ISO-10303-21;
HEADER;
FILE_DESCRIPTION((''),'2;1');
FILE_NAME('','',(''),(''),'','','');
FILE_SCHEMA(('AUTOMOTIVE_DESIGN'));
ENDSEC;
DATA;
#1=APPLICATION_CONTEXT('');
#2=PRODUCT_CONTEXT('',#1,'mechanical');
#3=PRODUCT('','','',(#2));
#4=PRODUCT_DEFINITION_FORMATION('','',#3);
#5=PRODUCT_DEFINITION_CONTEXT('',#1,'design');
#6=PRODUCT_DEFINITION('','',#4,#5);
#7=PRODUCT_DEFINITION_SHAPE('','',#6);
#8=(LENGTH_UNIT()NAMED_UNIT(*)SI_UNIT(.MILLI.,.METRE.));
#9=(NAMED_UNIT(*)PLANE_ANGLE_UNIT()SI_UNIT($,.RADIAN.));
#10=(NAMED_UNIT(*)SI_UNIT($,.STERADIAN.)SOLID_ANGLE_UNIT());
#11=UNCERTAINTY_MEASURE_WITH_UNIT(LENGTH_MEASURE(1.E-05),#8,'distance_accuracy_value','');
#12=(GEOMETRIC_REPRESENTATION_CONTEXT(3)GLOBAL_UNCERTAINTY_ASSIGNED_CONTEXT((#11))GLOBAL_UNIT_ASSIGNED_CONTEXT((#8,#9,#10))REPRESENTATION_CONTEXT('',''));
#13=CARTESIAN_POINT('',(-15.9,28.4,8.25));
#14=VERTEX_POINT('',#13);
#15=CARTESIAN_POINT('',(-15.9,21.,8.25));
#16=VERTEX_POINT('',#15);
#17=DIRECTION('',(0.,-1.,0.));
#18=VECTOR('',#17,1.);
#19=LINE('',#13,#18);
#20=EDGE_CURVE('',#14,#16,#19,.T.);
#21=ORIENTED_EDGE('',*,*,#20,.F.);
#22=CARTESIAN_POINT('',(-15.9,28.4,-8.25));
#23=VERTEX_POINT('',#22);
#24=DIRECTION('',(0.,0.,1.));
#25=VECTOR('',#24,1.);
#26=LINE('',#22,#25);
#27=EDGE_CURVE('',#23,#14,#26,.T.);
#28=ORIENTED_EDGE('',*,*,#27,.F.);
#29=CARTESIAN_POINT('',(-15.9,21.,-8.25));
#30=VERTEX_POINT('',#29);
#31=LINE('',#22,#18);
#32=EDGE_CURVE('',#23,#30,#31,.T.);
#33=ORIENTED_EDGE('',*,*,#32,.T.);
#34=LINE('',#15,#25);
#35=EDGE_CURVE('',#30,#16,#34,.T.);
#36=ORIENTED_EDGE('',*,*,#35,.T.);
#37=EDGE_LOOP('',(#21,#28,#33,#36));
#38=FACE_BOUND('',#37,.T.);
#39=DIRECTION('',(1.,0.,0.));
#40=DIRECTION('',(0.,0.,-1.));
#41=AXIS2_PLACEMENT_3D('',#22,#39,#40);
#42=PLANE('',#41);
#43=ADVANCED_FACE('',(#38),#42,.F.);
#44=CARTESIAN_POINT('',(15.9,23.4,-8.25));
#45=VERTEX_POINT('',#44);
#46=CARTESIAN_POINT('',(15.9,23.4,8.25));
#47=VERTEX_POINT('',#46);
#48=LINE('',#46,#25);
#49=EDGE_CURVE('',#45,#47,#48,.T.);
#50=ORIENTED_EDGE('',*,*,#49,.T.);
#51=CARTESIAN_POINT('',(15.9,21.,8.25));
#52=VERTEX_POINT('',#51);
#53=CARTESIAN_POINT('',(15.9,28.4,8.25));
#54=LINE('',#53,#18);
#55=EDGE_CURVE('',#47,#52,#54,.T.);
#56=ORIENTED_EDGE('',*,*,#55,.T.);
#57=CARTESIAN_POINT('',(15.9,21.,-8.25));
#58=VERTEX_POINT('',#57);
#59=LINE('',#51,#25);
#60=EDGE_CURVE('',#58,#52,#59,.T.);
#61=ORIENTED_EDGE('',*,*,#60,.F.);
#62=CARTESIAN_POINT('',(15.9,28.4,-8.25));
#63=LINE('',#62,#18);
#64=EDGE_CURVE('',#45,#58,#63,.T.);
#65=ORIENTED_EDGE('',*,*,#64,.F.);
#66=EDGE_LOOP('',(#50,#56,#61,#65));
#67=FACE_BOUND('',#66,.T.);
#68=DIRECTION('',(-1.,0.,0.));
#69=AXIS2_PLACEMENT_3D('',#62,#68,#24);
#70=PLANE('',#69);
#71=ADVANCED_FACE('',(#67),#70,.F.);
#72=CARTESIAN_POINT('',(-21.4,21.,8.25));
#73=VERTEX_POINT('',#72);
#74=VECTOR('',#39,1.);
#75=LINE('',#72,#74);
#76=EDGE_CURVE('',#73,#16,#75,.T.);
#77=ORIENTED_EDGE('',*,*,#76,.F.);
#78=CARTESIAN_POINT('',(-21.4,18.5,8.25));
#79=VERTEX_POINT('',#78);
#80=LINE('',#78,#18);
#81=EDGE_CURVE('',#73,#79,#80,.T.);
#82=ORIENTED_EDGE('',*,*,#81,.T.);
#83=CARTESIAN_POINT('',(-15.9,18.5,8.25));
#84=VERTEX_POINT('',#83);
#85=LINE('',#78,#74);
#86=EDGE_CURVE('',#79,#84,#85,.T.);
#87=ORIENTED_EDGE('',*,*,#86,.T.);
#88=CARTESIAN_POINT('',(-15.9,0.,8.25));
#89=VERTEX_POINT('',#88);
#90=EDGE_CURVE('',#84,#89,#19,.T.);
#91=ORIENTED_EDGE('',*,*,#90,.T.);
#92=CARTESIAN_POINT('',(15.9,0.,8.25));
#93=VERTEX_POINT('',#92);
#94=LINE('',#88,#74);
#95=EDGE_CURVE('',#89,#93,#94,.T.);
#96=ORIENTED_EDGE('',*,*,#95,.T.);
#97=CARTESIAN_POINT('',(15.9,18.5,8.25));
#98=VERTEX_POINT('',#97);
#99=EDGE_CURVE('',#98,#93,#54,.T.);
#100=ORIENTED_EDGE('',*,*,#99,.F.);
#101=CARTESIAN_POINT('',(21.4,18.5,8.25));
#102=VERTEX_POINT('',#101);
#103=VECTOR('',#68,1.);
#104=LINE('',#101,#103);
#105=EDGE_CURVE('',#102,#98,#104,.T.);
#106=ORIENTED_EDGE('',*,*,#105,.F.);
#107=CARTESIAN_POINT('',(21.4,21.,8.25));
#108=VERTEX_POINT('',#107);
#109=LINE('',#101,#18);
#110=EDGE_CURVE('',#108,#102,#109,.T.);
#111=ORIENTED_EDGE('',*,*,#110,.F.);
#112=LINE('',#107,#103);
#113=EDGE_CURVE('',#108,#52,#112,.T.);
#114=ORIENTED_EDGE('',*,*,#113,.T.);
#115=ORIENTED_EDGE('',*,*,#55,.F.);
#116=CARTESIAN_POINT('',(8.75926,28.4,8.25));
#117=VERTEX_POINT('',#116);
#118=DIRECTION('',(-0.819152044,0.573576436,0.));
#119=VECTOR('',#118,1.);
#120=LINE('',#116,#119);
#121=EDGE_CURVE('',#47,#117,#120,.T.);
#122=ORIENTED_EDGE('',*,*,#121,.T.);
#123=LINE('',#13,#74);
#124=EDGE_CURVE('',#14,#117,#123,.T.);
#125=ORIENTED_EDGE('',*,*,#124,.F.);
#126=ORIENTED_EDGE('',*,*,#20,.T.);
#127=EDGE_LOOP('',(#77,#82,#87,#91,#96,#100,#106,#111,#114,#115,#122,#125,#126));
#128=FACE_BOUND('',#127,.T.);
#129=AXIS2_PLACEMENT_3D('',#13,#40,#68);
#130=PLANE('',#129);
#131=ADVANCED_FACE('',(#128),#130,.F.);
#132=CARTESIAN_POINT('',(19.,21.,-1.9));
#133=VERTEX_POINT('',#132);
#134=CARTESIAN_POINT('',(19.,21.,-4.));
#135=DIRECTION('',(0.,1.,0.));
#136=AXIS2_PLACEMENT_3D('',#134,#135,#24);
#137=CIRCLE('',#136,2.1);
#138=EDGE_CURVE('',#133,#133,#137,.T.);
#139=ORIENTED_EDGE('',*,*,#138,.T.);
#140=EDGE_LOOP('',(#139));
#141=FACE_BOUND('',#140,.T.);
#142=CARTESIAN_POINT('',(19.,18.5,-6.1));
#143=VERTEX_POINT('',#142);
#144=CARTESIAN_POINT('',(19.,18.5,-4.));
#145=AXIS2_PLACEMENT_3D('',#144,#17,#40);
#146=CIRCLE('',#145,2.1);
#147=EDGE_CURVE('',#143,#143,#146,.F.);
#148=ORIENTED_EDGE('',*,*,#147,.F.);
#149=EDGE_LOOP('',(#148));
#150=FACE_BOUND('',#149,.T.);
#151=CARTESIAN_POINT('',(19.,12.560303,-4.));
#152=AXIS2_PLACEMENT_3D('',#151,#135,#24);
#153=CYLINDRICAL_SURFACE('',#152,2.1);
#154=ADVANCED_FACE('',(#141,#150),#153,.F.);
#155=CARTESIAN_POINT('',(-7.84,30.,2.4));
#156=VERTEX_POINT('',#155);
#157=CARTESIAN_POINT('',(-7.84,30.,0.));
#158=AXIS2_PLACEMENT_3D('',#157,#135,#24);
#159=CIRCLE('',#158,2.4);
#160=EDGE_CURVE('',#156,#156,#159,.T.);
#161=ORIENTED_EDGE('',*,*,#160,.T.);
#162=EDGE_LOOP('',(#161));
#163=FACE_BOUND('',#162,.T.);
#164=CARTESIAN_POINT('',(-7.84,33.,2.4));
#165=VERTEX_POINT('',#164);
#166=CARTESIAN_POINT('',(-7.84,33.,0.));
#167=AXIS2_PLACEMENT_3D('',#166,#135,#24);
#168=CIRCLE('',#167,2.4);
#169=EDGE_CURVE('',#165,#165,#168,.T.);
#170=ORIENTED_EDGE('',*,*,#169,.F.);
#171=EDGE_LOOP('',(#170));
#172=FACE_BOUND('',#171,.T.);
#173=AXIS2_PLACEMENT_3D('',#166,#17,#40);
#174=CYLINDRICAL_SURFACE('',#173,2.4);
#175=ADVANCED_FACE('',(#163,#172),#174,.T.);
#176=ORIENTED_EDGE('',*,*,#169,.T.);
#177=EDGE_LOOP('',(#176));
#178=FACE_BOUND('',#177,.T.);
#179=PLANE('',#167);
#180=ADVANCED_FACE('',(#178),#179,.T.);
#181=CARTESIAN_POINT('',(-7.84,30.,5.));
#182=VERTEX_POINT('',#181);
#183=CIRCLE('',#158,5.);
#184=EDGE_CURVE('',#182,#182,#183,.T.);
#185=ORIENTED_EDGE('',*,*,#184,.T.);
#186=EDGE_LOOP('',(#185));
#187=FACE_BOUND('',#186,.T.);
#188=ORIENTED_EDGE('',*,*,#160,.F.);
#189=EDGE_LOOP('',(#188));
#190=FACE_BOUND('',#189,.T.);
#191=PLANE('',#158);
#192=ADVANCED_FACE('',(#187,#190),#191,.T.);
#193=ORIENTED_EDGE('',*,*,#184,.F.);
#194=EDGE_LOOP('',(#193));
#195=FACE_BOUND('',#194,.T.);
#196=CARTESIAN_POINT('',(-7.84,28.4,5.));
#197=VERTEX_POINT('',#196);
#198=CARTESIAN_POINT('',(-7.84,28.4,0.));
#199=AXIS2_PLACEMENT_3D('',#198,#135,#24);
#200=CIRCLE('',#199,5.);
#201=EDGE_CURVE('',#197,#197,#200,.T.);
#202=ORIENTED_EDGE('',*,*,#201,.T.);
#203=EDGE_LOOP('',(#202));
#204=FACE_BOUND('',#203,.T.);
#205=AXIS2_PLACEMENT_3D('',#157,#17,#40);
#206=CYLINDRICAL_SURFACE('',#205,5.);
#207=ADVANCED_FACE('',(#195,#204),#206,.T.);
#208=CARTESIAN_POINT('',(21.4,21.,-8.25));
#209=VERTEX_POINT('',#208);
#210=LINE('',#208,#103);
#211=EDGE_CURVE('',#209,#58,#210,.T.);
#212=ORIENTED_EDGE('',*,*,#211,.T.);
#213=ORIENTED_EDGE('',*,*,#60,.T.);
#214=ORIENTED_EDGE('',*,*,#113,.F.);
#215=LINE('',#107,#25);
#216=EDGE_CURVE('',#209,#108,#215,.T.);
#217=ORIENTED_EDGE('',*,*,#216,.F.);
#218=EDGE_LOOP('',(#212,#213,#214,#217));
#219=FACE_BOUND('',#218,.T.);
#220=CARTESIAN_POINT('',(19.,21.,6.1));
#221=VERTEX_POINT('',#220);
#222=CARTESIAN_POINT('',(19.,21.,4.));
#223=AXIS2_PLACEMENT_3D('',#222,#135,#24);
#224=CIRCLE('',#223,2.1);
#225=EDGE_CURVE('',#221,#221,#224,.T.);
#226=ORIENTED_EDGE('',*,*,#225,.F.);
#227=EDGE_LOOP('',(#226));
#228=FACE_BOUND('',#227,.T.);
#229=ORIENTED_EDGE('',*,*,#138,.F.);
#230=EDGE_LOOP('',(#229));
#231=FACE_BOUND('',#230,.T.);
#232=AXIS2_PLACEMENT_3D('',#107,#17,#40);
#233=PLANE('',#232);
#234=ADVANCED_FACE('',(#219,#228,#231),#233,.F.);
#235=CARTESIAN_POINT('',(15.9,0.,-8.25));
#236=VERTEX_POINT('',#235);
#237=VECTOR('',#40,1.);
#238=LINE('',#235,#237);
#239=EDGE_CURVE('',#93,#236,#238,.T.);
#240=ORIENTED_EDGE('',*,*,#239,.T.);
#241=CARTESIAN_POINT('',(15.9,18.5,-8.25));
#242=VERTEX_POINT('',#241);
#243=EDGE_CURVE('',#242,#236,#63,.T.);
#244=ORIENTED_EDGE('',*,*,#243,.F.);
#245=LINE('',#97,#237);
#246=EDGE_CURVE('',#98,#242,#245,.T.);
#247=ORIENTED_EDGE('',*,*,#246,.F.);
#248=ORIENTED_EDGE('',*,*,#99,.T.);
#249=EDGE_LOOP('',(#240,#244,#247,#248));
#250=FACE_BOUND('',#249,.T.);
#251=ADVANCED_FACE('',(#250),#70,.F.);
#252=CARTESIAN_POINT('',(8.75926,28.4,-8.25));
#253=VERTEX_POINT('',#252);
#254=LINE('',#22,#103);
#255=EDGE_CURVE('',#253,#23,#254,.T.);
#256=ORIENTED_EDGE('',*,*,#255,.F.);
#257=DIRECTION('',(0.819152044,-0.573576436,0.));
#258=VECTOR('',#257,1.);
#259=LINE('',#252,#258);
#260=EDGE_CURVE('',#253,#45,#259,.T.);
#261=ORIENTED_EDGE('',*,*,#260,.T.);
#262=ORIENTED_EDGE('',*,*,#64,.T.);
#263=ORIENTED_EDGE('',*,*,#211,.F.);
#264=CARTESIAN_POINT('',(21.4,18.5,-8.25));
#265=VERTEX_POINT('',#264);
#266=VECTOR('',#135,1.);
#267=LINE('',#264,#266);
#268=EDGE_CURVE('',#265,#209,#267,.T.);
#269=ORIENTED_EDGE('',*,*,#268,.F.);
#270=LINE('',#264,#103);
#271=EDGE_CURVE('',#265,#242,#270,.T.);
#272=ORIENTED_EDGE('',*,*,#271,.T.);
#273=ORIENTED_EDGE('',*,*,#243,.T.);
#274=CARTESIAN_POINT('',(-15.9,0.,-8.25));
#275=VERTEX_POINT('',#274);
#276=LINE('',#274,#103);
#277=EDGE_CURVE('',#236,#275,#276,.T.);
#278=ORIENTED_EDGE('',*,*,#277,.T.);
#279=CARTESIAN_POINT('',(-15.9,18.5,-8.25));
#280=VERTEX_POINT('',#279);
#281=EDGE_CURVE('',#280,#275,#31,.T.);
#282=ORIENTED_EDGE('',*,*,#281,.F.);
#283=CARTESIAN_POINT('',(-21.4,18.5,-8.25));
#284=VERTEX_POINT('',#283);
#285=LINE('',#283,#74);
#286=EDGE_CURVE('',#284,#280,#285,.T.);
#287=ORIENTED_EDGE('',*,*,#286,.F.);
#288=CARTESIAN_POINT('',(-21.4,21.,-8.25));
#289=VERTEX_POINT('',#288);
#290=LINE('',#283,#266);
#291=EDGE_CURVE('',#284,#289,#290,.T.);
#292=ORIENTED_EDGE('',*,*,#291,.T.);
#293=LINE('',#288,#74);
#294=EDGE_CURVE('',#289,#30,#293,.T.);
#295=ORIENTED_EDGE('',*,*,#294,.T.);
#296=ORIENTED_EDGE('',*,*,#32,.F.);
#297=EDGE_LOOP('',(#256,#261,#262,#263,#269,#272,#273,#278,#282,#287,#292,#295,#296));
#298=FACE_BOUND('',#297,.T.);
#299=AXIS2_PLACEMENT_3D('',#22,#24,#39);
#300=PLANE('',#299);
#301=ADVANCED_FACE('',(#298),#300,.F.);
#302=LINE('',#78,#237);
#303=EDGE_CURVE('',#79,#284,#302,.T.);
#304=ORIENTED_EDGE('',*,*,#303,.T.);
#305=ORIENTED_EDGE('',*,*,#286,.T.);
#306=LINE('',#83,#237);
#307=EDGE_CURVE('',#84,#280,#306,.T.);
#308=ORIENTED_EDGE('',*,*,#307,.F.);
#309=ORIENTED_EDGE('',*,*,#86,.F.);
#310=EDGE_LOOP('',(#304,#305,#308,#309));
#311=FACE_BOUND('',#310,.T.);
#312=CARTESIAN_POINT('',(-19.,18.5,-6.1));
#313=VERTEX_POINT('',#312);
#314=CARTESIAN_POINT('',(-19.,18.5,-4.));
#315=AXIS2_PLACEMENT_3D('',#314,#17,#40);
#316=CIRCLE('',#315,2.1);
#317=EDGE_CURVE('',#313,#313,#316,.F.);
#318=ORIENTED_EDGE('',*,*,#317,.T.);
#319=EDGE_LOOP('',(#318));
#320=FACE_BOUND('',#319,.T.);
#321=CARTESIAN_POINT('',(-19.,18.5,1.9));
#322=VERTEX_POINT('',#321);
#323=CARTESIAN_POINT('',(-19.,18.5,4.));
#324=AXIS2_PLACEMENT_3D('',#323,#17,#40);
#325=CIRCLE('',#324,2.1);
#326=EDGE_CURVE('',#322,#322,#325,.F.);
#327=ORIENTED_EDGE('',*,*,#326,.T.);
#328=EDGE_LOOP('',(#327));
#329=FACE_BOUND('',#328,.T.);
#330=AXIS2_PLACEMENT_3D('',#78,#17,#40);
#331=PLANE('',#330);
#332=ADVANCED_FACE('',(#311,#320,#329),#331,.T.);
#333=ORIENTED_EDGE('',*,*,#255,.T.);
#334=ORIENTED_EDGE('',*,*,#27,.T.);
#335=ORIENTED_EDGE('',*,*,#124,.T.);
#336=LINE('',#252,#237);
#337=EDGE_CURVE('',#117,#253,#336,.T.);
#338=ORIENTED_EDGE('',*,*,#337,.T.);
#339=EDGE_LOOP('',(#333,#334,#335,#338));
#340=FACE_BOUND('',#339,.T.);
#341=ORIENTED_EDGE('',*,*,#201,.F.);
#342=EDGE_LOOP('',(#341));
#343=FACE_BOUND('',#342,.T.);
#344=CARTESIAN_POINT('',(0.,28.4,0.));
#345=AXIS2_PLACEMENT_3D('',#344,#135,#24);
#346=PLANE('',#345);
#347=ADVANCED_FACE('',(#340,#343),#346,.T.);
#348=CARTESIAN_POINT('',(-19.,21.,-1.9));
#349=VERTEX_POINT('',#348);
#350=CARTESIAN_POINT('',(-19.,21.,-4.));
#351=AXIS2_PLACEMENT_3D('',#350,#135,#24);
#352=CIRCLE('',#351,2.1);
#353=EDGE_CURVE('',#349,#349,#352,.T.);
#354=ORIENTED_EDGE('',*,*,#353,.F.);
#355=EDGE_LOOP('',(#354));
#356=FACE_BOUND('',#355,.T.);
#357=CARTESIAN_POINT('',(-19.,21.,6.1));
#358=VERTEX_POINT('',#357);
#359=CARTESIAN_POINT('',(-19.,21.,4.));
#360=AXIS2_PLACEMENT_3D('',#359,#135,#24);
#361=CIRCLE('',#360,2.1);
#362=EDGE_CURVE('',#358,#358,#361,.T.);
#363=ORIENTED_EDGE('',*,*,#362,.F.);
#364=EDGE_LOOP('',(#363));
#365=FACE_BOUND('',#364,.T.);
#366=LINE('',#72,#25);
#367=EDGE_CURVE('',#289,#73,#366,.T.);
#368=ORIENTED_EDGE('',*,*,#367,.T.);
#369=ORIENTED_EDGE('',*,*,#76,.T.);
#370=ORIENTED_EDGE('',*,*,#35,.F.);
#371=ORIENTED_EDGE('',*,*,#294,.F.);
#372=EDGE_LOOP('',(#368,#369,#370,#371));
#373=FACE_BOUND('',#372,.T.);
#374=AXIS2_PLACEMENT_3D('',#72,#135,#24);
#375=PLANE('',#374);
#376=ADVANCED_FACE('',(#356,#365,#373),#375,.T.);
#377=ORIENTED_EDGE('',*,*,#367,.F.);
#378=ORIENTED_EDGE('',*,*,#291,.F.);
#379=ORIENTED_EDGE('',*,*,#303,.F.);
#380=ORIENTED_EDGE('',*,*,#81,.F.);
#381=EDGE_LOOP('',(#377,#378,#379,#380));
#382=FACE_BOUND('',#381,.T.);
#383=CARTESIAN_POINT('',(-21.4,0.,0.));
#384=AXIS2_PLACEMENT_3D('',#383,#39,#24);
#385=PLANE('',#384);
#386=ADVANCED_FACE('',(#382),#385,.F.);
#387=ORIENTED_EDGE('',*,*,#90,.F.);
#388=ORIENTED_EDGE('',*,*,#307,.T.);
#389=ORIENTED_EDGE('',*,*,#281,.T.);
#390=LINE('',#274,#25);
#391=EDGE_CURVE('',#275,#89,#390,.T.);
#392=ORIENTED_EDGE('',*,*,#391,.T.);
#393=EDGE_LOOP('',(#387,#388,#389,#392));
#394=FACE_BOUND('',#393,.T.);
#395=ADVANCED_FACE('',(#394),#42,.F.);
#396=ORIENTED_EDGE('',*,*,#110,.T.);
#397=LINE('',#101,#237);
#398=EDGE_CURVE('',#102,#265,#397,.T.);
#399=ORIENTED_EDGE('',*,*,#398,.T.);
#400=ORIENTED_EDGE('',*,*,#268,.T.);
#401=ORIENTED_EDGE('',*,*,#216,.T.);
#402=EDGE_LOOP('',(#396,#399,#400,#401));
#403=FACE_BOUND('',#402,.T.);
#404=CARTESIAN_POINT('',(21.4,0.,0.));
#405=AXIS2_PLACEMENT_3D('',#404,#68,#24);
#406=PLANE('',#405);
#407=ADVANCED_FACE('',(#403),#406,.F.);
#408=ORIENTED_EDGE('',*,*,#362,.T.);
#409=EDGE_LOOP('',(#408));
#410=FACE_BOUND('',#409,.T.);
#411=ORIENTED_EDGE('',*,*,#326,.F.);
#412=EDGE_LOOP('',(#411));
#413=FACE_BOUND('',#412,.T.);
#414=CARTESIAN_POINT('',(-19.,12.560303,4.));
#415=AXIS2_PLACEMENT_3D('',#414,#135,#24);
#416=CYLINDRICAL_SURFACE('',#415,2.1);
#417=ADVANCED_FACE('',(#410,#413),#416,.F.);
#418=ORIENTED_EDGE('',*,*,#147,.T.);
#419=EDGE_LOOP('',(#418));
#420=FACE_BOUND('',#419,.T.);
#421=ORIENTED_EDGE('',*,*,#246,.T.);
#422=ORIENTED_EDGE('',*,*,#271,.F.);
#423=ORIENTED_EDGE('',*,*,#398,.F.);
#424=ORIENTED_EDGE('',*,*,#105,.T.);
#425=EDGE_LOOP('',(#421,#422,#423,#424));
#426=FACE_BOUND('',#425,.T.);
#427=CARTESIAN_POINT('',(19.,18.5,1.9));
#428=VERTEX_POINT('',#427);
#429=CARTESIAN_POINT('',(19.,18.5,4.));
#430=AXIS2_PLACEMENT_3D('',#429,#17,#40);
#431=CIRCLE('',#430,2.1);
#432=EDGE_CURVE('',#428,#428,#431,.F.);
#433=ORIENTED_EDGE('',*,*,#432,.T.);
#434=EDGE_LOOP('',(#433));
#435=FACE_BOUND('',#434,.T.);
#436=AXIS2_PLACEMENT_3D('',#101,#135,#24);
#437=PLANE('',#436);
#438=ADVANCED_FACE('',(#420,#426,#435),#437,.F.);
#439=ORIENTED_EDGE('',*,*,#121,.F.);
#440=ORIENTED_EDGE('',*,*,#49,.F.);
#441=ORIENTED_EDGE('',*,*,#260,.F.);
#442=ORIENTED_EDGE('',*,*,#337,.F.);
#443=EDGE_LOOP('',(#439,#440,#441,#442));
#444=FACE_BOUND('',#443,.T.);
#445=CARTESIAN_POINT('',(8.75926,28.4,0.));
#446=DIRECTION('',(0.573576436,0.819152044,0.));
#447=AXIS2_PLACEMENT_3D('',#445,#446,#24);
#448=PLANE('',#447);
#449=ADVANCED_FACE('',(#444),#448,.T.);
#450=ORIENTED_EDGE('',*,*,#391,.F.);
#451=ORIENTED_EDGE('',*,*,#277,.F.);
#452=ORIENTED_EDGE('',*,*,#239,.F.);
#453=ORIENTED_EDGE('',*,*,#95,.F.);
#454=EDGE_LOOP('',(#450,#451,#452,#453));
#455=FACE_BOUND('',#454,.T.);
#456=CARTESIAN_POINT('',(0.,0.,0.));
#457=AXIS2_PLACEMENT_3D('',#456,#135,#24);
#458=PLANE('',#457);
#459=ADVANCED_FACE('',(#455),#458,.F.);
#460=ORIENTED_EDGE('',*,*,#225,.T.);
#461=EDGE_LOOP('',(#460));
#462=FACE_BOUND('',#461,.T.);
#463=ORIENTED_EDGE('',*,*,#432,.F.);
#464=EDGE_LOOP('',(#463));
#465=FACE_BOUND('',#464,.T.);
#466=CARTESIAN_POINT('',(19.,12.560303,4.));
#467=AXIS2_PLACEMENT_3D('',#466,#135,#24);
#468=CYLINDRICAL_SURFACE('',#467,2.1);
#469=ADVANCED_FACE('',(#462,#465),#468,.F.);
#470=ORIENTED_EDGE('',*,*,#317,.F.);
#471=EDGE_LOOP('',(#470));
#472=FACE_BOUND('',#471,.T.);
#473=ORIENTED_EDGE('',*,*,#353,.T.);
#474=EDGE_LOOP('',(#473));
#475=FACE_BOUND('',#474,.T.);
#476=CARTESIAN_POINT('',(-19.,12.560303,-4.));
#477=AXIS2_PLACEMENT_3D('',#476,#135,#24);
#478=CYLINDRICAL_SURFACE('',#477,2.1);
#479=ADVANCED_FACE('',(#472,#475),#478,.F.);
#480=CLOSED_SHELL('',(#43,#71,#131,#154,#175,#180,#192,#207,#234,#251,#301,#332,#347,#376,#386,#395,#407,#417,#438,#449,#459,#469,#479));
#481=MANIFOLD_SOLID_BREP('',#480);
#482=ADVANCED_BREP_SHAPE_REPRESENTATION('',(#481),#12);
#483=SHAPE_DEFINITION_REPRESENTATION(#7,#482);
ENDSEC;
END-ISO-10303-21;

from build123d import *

# Parameters (mm, degrees)
SKETCH1_W           = 31.8
SKETCH1_H           = 16.5
BOSS_EXTRUDE1_DEPTH = 28.4
SKETCH2_W           = 16.5
SKETCH2_H           = 2.5
BOSS_EXTRUDE2_DEPTH = 5.5
SKETCH3_R           = 2.1
CUT_EXTRUDE1_DEPTH  = 2.5
SKETCH4_R           = 5
BOSS_EXTRUDE3_DEPTH = 1.6
SKETCH5_R           = 2.4
BOSS_EXTRUDE4_DEPTH = 3
CHAMFER1_SIZE       = 5
CHAMFER1_SIZE2      = 7.140740034


with BuildPart() as part:
    # Sketch1 → Boss-Extrude1 (new body)
    with BuildSketch(Plane(origin=(0, 0, 0), x_dir=(1, 0, 0), z_dir=(0, 1, 0))):
        Rectangle(SKETCH1_W, SKETCH1_H)
    extrude(amount=BOSS_EXTRUDE1_DEPTH)

    # Sketch2 → Boss-Extrude2 (add)
    with BuildSketch(Plane(origin=(15.9, 0, 0), x_dir=(0, 0, -1), z_dir=(1, 0, 0))):
        with Locations((0, 19.75)):
            Rectangle(SKETCH2_W, SKETCH2_H)
    boss_extrude2 = extrude(amount=BOSS_EXTRUDE2_DEPTH)

    # Mirror1: Boss-Extrude2 across plane
    add(boss_extrude2.mirror(Plane(origin=(0, 0, 0), x_dir=(0, 0, 1), z_dir=(1, 0, 0))))

    # Sketch3 → Cut-Extrude1 (cut)
    with BuildSketch(Plane(origin=(0, 21, 0), x_dir=(1, 0, 0), z_dir=(0, 1, 0))):
        with Locations((-19, 4)):
            Circle(SKETCH3_R)
        with Locations((-19, -4)):
            Circle(SKETCH3_R)
        with Locations((19, 4)):
            Circle(SKETCH3_R)
        with Locations((19, -4)):
            Circle(SKETCH3_R)
    extrude(amount=-CUT_EXTRUDE1_DEPTH, mode=Mode.SUBTRACT)

    # Sketch4 → Boss-Extrude3 (add)
    with BuildSketch(Plane(origin=(0, 28.4, 0), x_dir=(1, 0, 0), z_dir=(0, 1, 0))):
        with Locations((-7.84, 0)):
            Circle(SKETCH4_R)
    extrude(amount=BOSS_EXTRUDE3_DEPTH)

    # Sketch5 → Boss-Extrude4 (add)
    with BuildSketch(Plane(origin=(0, 30, 0), x_dir=(1, 0, 0), z_dir=(0, 1, 0))):
        with Locations((-7.84, 0)):
            Circle(SKETCH5_R)
    extrude(amount=BOSS_EXTRUDE4_DEPTH)

    # Chamfer1
    chamfer1_edges = [part.edges().sort_by_distance(p)[0] for p in [
        (15.9, 28.4, 0),
    ]]
    chamfer1_side = [part.faces().sort_by_distance(p)[0] for p in [
        (15.9, 24.7, 0),
    ]]
    chamfer(chamfer1_edges, length=CHAMFER1_SIZE, length2=CHAMFER1_SIZE2, reference=chamfer1_side[0])


solid = part.part
